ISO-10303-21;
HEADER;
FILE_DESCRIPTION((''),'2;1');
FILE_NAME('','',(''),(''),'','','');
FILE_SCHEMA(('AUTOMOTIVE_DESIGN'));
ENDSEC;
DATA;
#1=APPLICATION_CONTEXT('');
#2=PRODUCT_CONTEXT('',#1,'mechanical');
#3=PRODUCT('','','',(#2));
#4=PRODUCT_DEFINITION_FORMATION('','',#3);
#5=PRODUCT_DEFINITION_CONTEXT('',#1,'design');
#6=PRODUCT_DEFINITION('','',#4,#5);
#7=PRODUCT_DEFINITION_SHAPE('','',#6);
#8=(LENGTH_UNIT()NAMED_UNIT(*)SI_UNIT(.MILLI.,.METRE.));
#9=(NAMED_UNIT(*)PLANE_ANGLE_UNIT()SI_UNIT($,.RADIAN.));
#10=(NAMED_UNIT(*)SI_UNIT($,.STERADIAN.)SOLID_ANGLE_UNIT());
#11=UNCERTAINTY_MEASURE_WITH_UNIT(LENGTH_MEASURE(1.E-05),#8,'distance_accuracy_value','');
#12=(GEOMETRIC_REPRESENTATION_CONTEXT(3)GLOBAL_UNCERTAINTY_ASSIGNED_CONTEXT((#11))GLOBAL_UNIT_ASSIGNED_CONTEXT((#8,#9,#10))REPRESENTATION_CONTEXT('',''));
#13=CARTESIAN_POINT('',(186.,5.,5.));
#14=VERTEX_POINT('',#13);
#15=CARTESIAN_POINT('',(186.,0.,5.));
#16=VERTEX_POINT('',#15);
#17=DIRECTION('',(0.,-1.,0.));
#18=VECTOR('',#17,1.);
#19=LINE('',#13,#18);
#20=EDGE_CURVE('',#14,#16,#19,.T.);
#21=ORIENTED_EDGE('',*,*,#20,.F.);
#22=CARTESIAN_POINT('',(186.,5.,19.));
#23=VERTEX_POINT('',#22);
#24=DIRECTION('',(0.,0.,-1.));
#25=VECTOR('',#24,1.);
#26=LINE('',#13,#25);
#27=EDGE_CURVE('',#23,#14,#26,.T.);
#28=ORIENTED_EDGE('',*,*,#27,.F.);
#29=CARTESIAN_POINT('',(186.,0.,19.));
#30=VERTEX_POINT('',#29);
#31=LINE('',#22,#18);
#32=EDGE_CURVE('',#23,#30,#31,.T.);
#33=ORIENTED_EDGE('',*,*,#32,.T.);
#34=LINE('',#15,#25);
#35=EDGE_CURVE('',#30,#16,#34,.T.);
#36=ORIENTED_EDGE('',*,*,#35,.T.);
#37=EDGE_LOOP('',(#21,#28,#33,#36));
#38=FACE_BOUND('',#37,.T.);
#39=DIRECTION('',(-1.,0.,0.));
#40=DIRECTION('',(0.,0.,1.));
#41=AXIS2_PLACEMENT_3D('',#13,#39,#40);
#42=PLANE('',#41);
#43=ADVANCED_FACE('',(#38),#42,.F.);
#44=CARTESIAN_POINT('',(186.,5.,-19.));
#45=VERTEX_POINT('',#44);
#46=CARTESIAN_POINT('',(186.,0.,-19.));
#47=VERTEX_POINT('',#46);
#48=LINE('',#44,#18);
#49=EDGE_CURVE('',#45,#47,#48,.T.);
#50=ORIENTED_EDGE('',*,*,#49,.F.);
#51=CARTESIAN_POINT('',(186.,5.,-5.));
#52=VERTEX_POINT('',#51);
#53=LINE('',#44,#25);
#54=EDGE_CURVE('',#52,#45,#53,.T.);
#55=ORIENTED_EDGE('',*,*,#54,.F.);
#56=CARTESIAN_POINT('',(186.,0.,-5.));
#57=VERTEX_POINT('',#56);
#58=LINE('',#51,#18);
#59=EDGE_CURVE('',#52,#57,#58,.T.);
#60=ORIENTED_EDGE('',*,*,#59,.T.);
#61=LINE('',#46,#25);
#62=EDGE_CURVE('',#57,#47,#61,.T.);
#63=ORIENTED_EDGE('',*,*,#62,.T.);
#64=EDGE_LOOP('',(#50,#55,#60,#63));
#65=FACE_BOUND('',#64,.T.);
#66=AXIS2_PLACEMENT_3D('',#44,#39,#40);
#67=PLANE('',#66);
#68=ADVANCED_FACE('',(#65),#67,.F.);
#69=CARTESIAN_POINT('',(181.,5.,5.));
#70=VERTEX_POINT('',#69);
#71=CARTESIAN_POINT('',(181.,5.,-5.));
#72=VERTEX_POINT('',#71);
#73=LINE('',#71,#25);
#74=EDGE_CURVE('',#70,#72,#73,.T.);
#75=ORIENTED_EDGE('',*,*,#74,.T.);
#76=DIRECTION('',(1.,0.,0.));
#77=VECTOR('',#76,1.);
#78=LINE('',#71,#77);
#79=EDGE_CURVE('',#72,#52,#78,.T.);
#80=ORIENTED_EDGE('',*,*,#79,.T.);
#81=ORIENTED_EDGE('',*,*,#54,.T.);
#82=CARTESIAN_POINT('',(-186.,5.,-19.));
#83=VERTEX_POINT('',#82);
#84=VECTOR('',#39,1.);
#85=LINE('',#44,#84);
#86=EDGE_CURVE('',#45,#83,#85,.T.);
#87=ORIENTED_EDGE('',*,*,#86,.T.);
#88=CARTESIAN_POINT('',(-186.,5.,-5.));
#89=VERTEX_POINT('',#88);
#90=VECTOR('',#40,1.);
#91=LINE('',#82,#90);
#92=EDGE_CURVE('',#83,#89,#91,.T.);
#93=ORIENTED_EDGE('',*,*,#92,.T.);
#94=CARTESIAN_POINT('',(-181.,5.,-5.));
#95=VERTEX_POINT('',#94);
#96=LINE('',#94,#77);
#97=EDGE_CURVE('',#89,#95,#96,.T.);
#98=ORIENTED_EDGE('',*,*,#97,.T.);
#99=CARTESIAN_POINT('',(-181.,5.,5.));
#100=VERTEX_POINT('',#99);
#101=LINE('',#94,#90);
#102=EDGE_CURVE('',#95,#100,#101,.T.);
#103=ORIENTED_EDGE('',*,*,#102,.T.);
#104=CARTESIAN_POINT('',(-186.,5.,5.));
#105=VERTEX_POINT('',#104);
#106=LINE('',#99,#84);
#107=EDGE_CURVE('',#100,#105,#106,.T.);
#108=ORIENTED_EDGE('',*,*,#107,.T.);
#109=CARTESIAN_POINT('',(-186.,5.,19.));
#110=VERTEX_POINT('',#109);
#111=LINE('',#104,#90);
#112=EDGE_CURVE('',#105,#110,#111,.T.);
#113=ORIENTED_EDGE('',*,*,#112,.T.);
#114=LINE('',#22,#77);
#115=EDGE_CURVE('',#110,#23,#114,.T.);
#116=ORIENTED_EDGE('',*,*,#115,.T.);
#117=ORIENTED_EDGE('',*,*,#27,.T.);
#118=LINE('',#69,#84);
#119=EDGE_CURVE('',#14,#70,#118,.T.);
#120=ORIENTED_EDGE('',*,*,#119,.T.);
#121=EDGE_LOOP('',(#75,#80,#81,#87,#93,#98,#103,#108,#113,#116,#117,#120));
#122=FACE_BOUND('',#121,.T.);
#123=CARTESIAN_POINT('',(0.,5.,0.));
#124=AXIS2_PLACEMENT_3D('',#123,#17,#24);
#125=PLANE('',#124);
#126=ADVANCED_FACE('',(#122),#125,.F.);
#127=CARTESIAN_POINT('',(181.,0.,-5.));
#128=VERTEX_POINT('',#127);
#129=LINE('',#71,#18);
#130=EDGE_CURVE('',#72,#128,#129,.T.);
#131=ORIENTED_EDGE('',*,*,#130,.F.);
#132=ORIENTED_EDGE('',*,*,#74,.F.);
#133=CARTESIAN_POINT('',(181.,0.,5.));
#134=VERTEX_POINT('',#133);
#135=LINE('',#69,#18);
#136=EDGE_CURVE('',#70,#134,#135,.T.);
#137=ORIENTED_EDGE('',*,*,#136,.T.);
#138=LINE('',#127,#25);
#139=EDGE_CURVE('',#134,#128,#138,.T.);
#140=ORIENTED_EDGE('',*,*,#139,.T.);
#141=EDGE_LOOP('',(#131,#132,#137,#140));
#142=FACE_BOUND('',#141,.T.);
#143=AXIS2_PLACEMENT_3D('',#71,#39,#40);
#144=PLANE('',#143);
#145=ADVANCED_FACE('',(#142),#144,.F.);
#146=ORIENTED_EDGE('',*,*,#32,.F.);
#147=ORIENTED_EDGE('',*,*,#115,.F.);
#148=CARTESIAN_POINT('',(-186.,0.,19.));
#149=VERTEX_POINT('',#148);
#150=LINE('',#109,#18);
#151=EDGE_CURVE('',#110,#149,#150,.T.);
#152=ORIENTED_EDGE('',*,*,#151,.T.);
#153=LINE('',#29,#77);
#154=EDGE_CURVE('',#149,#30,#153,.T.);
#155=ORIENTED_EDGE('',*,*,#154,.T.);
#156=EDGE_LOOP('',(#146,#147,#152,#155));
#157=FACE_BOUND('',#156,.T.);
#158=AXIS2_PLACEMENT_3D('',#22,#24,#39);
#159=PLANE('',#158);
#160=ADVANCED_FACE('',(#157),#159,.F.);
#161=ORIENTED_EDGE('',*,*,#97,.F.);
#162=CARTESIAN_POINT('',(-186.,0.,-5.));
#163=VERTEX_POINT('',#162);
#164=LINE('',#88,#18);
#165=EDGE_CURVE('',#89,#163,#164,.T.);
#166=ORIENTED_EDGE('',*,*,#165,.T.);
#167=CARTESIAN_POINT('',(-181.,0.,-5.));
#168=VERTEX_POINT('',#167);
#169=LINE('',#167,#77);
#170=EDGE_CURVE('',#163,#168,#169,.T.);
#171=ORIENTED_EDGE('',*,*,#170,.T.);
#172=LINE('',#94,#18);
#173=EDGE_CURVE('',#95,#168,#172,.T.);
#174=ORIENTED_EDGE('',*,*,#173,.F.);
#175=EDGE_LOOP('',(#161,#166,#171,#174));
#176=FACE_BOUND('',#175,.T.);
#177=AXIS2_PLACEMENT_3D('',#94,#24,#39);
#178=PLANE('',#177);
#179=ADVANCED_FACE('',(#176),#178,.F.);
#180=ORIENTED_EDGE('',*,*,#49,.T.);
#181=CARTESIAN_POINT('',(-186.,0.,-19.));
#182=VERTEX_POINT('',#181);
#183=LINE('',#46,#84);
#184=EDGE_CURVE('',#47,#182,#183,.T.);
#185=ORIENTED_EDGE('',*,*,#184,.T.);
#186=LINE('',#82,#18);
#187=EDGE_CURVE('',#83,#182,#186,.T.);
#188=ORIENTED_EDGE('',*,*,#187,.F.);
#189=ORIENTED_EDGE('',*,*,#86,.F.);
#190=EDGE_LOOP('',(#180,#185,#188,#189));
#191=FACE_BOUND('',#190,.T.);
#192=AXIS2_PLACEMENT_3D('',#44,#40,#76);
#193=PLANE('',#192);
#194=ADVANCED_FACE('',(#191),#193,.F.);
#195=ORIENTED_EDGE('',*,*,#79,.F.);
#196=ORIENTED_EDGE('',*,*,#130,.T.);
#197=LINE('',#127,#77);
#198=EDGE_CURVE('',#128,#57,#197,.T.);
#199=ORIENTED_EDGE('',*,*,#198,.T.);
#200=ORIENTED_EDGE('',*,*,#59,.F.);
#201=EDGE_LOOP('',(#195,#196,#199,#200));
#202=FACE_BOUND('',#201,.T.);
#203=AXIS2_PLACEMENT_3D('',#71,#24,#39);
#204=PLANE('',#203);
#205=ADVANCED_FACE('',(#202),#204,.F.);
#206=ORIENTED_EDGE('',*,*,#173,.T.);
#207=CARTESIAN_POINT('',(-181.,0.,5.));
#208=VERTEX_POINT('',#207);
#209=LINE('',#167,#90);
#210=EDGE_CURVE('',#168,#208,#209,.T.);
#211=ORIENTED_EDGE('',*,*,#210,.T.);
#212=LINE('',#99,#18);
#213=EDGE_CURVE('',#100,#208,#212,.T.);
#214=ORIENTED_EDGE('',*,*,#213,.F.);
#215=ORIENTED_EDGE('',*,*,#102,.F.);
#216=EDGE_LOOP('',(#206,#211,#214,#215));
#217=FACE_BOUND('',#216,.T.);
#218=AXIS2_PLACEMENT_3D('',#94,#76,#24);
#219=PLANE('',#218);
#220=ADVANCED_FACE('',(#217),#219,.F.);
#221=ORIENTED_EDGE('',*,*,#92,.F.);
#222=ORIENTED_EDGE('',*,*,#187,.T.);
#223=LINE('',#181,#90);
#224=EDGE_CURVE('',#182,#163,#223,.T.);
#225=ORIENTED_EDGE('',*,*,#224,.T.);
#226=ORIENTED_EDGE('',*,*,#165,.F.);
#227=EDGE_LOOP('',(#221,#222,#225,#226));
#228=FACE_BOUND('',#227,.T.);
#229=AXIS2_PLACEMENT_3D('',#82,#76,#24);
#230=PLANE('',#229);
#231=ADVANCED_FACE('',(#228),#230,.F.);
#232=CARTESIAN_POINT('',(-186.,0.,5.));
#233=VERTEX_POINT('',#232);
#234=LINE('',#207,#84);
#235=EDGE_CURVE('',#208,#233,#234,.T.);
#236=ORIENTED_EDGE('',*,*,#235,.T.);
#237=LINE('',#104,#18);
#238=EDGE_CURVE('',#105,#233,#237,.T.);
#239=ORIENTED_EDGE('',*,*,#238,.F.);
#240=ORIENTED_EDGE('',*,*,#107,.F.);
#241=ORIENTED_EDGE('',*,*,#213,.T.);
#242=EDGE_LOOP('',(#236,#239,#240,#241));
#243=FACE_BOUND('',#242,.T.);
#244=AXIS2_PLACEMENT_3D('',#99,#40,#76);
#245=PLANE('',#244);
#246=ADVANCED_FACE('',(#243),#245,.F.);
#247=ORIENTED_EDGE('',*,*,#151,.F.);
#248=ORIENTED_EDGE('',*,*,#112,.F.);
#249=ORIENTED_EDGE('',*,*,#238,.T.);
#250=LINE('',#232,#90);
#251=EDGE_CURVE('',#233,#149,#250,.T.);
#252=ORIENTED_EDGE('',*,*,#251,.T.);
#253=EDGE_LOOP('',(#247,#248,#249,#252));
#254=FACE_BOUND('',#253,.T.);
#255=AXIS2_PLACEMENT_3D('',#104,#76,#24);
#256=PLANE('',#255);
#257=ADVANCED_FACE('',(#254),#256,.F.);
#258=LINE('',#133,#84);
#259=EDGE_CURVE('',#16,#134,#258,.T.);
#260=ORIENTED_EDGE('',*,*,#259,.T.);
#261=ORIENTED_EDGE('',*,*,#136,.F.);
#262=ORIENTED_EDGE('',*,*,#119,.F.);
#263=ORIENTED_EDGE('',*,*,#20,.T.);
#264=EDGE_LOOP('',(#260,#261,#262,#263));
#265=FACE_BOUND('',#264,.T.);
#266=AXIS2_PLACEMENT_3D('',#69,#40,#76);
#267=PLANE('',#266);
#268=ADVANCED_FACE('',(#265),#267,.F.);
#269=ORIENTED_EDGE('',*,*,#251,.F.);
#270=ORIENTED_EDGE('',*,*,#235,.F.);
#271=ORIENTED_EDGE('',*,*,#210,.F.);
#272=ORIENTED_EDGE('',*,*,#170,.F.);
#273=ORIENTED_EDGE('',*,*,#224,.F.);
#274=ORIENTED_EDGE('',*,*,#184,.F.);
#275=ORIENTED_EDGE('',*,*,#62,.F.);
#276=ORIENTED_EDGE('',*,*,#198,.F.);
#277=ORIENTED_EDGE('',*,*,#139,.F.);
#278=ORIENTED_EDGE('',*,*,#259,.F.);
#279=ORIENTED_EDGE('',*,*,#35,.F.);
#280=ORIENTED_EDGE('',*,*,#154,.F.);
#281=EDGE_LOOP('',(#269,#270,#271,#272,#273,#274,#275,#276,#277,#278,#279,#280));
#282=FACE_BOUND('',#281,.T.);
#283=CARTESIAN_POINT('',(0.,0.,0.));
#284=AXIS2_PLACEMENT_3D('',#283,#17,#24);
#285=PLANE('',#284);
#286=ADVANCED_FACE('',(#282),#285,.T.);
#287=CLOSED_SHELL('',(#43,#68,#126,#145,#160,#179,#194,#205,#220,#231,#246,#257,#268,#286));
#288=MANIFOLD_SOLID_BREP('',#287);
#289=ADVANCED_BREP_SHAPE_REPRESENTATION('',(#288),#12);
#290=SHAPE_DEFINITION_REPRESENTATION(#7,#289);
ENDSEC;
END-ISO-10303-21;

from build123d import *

# Parameters (mm, degrees)
BOSS_EXTRUDE1_DEPTH = 5


with BuildPart() as part:
    # Sketch1 → Boss-Extrude1 (new body)
    with BuildSketch(Plane(origin=(0, 0, 0), x_dir=(1, 0, 0), z_dir=(0, 1, 0))):
        Polygon((186, 19), (-186, 19), (-186, 5), (-181, 5), (-181, -5), (-186, -5), (-186, -19), (186, -19), (186, -5), (181, -5), (181, 5), (186, 5), align=None)
    extrude(amount=BOSS_EXTRUDE1_DEPTH)


solid = part.part
